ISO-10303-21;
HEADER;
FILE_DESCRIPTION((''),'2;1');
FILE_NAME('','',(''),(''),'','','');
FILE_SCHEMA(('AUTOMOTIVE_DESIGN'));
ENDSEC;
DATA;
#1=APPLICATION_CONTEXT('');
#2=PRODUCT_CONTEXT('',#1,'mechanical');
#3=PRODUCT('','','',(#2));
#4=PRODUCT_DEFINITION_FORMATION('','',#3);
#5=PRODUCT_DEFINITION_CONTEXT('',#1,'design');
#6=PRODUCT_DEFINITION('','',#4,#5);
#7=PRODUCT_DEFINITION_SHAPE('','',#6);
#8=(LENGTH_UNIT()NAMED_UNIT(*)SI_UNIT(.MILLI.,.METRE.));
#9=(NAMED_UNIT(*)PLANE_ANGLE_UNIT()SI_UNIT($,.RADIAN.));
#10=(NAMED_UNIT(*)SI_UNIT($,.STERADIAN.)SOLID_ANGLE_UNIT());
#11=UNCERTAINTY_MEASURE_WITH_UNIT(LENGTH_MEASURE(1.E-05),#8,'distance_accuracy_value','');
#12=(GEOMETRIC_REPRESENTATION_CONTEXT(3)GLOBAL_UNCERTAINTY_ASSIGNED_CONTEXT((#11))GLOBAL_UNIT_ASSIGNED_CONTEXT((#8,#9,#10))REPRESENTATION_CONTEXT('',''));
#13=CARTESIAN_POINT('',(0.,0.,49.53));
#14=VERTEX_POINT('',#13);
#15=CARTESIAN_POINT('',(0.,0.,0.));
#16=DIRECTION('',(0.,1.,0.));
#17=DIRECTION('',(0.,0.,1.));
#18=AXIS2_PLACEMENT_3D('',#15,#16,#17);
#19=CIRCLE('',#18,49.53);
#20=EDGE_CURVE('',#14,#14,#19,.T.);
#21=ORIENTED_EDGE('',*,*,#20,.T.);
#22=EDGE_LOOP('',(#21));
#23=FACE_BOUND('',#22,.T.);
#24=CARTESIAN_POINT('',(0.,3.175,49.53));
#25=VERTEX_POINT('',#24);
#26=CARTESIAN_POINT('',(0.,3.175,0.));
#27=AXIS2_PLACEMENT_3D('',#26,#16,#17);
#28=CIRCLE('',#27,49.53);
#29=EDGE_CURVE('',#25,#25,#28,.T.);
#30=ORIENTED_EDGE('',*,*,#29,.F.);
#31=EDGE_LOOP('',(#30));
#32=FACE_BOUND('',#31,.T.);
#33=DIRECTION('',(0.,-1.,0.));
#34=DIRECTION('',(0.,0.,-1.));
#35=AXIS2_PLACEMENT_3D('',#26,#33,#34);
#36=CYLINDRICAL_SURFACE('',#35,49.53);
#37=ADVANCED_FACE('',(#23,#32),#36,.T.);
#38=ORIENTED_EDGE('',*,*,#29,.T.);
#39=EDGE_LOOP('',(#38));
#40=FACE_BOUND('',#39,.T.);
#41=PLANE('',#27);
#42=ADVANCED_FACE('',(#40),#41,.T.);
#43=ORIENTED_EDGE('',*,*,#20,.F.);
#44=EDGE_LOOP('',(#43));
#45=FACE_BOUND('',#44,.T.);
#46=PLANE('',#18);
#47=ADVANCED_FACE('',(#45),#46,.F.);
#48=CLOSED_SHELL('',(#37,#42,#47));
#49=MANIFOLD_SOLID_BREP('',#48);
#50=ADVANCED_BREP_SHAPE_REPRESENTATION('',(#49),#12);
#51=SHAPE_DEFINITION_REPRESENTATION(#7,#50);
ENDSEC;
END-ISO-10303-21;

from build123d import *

# Parameters (mm, degrees)
SKETCH2_R           = 49.53
BOSS_EXTRUDE1_DEPTH = 3.175


with BuildPart() as part:
    # Sketch2 → Boss-Extrude1 (new body)
    with BuildSketch(Plane(origin=(0, 0, 0), x_dir=(1, 0, 0), z_dir=(0, 1, 0))):
        with Locations(Location((0, 0, 0), (0, 0, 270))):
            Circle(SKETCH2_R)
    extrude(amount=BOSS_EXTRUDE1_DEPTH)


solid = part.part
